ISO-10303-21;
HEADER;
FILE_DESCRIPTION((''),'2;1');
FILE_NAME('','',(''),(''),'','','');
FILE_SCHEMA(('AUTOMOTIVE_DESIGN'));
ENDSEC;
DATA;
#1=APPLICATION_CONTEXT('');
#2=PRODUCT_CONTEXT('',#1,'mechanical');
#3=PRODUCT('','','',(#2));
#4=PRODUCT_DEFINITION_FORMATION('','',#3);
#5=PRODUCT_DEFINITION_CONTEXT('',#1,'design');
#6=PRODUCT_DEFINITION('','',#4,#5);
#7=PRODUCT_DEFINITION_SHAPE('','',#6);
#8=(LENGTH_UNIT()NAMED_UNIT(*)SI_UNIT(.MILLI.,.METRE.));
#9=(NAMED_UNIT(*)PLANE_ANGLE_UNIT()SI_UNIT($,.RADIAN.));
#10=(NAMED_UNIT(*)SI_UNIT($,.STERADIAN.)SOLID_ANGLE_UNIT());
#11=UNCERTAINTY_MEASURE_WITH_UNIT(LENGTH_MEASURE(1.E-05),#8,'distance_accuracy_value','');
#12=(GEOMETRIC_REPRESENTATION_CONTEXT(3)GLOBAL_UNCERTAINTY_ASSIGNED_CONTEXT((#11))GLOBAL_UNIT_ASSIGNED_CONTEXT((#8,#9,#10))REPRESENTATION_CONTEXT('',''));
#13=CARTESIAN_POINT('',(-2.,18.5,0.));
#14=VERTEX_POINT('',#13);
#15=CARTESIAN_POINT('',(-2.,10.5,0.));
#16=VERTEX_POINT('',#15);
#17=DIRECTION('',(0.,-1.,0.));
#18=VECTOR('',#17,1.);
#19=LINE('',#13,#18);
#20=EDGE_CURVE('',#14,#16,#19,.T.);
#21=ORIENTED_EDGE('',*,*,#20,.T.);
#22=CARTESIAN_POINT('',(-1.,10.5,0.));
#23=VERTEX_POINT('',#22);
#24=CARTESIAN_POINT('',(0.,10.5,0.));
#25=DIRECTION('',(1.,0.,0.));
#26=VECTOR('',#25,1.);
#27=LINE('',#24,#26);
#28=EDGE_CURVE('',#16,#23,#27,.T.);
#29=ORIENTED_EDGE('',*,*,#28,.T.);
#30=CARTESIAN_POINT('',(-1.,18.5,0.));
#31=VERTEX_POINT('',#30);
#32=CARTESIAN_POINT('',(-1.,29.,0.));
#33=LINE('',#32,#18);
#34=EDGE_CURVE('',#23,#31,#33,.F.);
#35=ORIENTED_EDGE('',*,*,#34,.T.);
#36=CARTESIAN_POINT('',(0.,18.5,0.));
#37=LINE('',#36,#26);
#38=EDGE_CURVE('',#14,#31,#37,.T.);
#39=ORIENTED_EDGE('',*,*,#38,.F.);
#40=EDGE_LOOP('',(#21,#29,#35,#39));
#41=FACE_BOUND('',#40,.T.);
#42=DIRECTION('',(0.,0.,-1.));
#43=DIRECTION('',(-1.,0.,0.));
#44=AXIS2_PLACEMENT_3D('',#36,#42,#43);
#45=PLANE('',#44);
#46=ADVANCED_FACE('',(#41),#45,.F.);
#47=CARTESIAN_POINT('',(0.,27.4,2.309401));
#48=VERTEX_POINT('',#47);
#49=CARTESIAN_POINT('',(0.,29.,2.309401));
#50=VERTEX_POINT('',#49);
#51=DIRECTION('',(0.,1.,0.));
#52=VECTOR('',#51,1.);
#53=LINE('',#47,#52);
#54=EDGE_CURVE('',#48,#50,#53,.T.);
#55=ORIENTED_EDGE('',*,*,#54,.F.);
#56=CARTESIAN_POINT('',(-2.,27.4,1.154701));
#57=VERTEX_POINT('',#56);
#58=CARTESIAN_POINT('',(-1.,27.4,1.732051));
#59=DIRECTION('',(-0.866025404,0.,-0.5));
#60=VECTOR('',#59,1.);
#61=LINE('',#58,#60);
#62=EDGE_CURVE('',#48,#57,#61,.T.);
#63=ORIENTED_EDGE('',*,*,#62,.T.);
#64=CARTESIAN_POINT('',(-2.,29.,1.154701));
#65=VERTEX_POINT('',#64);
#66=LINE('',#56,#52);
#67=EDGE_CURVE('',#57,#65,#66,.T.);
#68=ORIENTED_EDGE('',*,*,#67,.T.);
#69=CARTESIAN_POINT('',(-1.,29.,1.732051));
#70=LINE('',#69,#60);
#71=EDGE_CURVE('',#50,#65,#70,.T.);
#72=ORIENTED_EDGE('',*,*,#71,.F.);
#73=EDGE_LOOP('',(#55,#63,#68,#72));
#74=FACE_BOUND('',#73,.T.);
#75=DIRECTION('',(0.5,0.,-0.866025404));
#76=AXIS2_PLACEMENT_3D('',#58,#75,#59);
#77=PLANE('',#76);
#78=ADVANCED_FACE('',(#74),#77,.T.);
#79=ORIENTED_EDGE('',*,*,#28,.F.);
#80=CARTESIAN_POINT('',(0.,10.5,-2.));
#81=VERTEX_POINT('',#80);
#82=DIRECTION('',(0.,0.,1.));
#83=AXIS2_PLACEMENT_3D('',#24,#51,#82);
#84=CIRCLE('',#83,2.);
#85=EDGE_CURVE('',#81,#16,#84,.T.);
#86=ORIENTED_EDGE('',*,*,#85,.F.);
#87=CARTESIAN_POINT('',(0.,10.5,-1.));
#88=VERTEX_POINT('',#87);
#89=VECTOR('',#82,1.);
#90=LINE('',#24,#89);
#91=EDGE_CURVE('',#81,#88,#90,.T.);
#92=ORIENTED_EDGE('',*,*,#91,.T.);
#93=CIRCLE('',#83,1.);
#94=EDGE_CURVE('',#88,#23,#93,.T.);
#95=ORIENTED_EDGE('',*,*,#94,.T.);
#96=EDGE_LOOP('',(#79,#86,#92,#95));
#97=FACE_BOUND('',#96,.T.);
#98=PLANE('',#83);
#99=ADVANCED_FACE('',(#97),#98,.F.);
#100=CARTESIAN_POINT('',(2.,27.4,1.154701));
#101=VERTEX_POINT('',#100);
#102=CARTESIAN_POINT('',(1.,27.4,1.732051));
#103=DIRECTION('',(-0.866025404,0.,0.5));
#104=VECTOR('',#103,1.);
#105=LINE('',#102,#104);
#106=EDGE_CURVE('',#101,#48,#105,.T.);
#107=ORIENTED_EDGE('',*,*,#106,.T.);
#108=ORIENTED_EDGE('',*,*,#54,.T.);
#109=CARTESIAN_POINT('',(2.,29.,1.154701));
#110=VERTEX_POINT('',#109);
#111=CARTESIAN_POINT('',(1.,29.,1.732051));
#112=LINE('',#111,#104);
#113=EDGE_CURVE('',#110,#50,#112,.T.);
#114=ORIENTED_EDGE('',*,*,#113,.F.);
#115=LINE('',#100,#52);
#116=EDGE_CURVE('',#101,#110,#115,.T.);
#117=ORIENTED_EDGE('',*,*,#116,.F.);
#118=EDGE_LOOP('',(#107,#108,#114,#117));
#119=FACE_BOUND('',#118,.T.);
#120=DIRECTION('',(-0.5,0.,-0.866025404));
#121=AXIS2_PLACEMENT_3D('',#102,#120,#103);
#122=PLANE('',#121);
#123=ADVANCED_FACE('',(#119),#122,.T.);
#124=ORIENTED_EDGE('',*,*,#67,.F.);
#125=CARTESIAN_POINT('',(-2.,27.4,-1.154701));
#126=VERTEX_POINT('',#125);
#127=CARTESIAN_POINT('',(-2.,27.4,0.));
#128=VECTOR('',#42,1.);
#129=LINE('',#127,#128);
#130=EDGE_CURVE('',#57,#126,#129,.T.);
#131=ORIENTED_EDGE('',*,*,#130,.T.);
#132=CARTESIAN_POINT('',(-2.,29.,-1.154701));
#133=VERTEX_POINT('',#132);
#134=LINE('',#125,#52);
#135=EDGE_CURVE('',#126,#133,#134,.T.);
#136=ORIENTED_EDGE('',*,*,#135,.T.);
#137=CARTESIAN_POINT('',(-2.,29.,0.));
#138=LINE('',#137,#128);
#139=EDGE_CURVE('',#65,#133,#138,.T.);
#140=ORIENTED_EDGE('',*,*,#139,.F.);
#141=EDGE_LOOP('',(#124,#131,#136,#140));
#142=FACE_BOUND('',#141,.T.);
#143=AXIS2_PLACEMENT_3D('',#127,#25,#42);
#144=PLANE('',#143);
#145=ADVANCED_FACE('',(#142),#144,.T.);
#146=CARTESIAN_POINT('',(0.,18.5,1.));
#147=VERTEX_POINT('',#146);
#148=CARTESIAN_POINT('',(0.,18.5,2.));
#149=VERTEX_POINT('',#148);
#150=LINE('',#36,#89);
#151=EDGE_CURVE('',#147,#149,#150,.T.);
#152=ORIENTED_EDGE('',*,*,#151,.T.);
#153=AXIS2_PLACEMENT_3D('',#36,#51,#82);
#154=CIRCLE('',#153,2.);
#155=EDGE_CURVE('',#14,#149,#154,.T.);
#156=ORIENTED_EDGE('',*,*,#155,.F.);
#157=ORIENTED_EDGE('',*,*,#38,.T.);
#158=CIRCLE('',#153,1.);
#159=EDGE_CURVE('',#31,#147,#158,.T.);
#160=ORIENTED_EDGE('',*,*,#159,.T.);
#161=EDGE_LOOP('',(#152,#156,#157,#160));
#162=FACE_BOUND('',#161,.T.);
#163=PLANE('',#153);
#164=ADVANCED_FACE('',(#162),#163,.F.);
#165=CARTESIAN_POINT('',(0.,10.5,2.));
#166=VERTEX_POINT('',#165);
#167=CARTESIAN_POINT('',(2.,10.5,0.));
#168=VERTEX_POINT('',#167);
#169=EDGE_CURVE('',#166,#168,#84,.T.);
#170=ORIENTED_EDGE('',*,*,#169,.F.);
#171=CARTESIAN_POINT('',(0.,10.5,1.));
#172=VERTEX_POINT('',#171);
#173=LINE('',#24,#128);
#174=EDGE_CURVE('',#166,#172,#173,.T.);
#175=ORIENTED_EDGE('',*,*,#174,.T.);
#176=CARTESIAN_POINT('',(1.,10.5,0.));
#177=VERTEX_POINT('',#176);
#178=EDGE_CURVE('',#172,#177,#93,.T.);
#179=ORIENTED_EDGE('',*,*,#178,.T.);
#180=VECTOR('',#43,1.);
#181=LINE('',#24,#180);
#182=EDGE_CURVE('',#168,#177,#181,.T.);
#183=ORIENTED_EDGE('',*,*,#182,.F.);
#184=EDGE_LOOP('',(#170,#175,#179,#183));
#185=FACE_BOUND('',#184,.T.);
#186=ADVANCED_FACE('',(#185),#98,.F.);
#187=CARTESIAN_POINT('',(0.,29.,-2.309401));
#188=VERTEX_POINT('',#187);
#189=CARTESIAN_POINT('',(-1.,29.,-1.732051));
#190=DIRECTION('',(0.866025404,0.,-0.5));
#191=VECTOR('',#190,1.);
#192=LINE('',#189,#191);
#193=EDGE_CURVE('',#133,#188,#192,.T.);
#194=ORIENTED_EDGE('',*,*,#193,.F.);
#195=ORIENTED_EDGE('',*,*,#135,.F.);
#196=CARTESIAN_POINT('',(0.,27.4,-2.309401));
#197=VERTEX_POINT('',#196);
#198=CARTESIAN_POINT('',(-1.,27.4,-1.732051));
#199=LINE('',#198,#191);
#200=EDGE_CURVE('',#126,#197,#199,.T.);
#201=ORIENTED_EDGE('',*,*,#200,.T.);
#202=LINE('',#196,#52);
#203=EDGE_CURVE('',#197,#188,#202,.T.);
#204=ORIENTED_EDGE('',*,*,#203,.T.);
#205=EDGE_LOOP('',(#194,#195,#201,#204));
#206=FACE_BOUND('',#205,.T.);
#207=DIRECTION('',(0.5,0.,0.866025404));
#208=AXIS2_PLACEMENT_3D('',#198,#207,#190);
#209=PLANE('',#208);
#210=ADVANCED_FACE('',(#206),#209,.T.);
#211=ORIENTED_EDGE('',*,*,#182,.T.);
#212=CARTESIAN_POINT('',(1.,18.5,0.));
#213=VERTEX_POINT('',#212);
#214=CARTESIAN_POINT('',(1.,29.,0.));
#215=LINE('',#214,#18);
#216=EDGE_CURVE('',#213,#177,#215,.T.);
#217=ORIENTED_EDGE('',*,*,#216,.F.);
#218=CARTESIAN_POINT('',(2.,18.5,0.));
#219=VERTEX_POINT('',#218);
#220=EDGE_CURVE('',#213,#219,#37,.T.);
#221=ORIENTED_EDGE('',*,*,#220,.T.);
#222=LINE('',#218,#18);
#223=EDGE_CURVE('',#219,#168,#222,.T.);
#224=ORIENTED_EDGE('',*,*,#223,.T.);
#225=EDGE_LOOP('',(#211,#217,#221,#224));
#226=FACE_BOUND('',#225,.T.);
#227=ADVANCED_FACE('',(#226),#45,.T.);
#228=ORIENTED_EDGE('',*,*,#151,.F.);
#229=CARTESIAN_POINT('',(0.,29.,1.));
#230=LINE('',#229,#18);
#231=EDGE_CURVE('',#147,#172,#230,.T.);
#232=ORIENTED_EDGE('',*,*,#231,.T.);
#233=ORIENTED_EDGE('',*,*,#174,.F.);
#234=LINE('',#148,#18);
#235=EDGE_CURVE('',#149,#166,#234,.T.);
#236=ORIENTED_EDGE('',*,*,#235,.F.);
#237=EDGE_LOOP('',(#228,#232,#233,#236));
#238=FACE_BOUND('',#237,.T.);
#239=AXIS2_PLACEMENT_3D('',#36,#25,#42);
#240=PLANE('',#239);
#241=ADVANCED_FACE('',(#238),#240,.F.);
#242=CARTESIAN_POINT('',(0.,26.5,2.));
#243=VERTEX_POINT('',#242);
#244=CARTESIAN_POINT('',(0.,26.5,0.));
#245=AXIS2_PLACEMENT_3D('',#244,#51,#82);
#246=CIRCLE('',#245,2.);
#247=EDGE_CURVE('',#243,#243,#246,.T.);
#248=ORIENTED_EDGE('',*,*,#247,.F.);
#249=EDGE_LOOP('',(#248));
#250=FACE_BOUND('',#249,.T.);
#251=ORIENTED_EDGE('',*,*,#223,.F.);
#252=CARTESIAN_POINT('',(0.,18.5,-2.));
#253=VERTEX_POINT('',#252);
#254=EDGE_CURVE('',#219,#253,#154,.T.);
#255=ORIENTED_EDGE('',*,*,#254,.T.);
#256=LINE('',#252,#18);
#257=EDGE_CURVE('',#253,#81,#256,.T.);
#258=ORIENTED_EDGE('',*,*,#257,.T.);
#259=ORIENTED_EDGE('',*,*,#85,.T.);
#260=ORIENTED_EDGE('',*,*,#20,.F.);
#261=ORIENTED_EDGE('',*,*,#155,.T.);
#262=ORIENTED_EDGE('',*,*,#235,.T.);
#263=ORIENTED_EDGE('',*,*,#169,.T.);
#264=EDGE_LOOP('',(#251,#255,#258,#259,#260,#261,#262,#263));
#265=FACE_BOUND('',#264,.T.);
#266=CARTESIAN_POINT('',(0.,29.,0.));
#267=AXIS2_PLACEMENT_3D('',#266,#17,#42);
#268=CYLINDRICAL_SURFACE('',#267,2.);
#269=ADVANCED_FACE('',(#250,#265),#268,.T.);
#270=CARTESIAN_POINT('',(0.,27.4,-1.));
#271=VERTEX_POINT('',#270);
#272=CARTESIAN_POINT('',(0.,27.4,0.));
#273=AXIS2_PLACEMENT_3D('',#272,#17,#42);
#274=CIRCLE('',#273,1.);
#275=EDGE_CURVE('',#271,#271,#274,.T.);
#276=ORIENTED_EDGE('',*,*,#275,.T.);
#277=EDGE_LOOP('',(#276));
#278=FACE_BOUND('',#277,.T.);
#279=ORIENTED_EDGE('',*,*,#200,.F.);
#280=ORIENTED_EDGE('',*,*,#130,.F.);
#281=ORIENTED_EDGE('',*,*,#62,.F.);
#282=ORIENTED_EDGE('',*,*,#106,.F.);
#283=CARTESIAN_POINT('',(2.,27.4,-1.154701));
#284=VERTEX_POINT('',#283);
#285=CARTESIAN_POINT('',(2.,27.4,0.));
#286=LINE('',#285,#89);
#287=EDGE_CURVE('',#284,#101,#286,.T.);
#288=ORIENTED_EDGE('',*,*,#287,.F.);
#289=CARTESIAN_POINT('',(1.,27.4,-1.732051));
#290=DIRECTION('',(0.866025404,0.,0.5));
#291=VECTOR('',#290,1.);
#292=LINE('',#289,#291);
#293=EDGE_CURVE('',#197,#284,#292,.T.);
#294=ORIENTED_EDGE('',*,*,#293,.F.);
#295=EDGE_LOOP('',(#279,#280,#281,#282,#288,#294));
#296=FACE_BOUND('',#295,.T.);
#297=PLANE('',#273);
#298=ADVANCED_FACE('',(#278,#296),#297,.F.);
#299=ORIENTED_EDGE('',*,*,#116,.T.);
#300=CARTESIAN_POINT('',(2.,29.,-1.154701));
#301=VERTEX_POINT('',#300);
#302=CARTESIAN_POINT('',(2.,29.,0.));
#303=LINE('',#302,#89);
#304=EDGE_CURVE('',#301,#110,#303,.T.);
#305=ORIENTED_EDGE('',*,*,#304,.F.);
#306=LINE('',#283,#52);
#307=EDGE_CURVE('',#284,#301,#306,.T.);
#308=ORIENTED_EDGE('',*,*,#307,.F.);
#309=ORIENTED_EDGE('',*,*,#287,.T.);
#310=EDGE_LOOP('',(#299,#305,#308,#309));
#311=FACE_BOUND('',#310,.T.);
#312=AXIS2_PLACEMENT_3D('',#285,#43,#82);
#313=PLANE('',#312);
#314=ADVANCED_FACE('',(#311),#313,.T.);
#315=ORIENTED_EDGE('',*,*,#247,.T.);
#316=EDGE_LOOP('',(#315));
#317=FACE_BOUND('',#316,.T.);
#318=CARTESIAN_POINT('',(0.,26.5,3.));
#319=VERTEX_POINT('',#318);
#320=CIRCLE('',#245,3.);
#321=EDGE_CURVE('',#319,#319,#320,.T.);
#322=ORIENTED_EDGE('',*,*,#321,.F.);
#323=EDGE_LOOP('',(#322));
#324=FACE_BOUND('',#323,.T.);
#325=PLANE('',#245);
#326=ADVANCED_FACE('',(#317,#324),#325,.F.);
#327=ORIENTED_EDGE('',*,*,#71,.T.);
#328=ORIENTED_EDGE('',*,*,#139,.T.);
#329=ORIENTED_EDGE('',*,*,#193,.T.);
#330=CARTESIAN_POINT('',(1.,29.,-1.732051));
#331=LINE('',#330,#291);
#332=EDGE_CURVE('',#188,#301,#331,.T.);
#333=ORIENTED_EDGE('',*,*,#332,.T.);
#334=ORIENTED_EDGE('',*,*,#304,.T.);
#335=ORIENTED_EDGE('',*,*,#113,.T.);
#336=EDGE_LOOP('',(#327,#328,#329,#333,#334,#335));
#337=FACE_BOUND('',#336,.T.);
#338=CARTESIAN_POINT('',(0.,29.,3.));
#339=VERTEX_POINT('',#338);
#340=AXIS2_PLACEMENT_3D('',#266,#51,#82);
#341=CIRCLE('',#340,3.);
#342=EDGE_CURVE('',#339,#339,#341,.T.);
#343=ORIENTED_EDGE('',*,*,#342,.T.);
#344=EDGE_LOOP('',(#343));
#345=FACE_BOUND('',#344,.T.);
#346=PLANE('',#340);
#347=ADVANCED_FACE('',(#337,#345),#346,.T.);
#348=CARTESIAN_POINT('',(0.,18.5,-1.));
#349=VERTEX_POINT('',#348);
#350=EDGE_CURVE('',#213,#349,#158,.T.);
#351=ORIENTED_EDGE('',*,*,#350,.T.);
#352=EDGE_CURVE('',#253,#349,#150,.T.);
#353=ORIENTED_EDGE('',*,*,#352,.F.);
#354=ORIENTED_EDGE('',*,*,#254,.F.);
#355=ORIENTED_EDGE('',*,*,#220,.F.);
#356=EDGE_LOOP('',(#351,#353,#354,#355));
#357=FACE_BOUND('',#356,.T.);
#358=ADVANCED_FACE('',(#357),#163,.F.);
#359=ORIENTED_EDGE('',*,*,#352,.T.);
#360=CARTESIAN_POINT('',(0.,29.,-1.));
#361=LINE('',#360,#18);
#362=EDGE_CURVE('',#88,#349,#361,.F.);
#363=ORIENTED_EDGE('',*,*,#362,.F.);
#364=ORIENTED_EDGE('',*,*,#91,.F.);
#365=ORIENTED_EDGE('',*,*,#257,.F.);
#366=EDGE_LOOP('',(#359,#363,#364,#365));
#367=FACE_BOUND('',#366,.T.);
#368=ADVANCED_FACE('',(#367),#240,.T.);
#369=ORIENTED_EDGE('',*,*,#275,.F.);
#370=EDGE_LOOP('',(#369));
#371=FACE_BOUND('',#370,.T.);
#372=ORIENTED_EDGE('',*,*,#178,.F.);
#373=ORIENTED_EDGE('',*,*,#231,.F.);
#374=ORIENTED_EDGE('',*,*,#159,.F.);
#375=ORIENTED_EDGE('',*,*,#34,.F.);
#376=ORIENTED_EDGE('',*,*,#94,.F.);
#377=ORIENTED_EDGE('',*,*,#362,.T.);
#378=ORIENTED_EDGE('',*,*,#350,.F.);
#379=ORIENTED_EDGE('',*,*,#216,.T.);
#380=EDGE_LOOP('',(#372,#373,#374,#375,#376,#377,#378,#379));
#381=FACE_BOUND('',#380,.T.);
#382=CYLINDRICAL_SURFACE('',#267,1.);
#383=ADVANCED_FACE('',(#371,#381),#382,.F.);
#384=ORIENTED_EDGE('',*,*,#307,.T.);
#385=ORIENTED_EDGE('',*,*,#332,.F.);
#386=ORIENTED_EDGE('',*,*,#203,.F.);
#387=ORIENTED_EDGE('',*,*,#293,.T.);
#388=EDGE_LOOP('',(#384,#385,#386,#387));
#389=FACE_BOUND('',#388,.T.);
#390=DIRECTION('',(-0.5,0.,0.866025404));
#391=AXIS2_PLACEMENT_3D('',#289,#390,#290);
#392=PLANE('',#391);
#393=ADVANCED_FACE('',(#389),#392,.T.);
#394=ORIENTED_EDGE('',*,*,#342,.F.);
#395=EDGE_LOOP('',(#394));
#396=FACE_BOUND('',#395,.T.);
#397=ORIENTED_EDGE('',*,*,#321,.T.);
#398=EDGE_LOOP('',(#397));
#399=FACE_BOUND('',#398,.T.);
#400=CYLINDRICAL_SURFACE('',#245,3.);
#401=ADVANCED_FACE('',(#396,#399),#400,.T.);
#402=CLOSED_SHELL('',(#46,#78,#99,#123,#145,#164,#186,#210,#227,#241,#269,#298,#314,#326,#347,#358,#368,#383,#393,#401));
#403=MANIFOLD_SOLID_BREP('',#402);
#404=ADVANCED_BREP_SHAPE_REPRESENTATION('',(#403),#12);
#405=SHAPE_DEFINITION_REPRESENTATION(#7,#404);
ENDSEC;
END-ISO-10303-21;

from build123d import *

# Parameters (mm, degrees)
SKETCH_1_R          = 2
SKETCH_1_R_2        = 1
EXTRUDE_1_DEPTH     = 29
SKETCH_2_R          = 3
SKETCH_2_R_2        = 2
EXTRUDE_2_DEPTH     = 2.5
EXTRUDE_START       = 26.5
SKETCH_3_R          = 3
SKETCH_3_R_2        = 2
EXTRUDE_3_DEPTH     = 2.5
SKETCH_4_R          = 1.6
CUT_EXTRUDE_1_DEPTH = 1.5
CUT_EXTRUDE_START   = 29
CUT_EXTRUDE_2_DEPTH = 1.6
SKETCH_7_R          = 3
CUT_EXTRUDE_3_DEPTH = 10.5
CUT_EXTRUDE_START_2 = 10.5
CUT_EXTRUDE_4_DEPTH = 8


with BuildPart() as part:
    # 草图1 → 凸台-拉伸1 (new body)
    with BuildSketch(Plane(origin=(0, 0, 0), x_dir=(1, 0, 0), z_dir=(0, 1, 0))):
        with Locations(Location((0, 0, 0), (0, 0, 90))):
            Circle(SKETCH_1_R)
        with Locations(Location((0, 0, 0), (0, 0, 90))):
            Circle(SKETCH_1_R_2, mode=Mode.SUBTRACT)
    extrude(amount=EXTRUDE_1_DEPTH)

    # 草图2 → 凸台-拉伸2 (add)
    with BuildSketch(Plane(origin=(0, 0, 0), x_dir=(1, 0, 0), z_dir=(0, 1, 0))):
        with Locations(Location((0, 0, 0), (0, 0, 270))):
            Circle(SKETCH_2_R)
        with Locations(Location((0, 0, 0), (0, 0, 90))):
            Circle(SKETCH_2_R_2, mode=Mode.SUBTRACT)
    extrude(amount=EXTRUDE_2_DEPTH)

    # 草图3 → 凸台-拉伸3 (add)
    with BuildSketch(Plane(origin=(0, 0, 0), x_dir=(1, 0, 0), z_dir=(0, 1, 0)).offset(EXTRUDE_START)):
        with Locations(Location((0, 0, 0), (0, 0, 270))):
            Circle(SKETCH_3_R)
        with Locations(Location((0, 0, 0), (0, 0, 90))):
            Circle(SKETCH_3_R_2, mode=Mode.SUBTRACT)
    extrude(amount=EXTRUDE_3_DEPTH)

    # 草图4 → 切除-拉伸1 (cut)
    with BuildSketch(Plane(origin=(0, 0, 0), x_dir=(1, 0, 0), z_dir=(0, 1, 0))):
        with Locations(Location((0, 0, 0), (0, 0, 270))):
            Circle(SKETCH_4_R)
    extrude(amount=CUT_EXTRUDE_1_DEPTH, mode=Mode.SUBTRACT)

    # 草图5 → 切除-拉伸2 (cut)
    with BuildSketch(Plane(origin=(0, 0, 0), x_dir=(1, 0, 0), z_dir=(0, 1, 0)).offset(CUT_EXTRUDE_START)):
        Polygon((0, -2.309401077), (2, -1.154700538), (2, 1.154700538), (0, 2.309401077), (-2, 1.154700538), (-2, -1.154700538), align=None)
    extrude(amount=-CUT_EXTRUDE_2_DEPTH, mode=Mode.SUBTRACT)

    # 草图7 → 切除-拉伸3 (cut)
    with BuildSketch(Plane(origin=(0, 0, 0), x_dir=(1, 0, 0), z_dir=(0, 1, 0))):
        with Locations(Location((0, 0, 0), (0, 0, 270))):
            Circle(SKETCH_7_R)
    extrude(amount=CUT_EXTRUDE_3_DEPTH, mode=Mode.SUBTRACT)

    # 草图8 → 切除-拉伸4 (cut)
    with BuildSketch(Plane(origin=(0, 0, 0), x_dir=(1, 0, 0), z_dir=(0, 1, 0)).offset(CUT_EXTRUDE_START_2)):
        with BuildLine():
            Line((0, 0), (2, 0))
            ThreePointArc((2, 0), (1.414213562, 1.414213562), (0, 2))
            Line((0, 2), (0, 0))
        make_face()
        with BuildLine():
            Line((0, -2), (0, 0))
            Line((0, 0), (-2, 0))
            ThreePointArc((-2, 0), (-1.414213562, -1.414213562), (0, -2))
        make_face()
    extrude(amount=CUT_EXTRUDE_4_DEPTH, mode=Mode.SUBTRACT)


solid = part.part
